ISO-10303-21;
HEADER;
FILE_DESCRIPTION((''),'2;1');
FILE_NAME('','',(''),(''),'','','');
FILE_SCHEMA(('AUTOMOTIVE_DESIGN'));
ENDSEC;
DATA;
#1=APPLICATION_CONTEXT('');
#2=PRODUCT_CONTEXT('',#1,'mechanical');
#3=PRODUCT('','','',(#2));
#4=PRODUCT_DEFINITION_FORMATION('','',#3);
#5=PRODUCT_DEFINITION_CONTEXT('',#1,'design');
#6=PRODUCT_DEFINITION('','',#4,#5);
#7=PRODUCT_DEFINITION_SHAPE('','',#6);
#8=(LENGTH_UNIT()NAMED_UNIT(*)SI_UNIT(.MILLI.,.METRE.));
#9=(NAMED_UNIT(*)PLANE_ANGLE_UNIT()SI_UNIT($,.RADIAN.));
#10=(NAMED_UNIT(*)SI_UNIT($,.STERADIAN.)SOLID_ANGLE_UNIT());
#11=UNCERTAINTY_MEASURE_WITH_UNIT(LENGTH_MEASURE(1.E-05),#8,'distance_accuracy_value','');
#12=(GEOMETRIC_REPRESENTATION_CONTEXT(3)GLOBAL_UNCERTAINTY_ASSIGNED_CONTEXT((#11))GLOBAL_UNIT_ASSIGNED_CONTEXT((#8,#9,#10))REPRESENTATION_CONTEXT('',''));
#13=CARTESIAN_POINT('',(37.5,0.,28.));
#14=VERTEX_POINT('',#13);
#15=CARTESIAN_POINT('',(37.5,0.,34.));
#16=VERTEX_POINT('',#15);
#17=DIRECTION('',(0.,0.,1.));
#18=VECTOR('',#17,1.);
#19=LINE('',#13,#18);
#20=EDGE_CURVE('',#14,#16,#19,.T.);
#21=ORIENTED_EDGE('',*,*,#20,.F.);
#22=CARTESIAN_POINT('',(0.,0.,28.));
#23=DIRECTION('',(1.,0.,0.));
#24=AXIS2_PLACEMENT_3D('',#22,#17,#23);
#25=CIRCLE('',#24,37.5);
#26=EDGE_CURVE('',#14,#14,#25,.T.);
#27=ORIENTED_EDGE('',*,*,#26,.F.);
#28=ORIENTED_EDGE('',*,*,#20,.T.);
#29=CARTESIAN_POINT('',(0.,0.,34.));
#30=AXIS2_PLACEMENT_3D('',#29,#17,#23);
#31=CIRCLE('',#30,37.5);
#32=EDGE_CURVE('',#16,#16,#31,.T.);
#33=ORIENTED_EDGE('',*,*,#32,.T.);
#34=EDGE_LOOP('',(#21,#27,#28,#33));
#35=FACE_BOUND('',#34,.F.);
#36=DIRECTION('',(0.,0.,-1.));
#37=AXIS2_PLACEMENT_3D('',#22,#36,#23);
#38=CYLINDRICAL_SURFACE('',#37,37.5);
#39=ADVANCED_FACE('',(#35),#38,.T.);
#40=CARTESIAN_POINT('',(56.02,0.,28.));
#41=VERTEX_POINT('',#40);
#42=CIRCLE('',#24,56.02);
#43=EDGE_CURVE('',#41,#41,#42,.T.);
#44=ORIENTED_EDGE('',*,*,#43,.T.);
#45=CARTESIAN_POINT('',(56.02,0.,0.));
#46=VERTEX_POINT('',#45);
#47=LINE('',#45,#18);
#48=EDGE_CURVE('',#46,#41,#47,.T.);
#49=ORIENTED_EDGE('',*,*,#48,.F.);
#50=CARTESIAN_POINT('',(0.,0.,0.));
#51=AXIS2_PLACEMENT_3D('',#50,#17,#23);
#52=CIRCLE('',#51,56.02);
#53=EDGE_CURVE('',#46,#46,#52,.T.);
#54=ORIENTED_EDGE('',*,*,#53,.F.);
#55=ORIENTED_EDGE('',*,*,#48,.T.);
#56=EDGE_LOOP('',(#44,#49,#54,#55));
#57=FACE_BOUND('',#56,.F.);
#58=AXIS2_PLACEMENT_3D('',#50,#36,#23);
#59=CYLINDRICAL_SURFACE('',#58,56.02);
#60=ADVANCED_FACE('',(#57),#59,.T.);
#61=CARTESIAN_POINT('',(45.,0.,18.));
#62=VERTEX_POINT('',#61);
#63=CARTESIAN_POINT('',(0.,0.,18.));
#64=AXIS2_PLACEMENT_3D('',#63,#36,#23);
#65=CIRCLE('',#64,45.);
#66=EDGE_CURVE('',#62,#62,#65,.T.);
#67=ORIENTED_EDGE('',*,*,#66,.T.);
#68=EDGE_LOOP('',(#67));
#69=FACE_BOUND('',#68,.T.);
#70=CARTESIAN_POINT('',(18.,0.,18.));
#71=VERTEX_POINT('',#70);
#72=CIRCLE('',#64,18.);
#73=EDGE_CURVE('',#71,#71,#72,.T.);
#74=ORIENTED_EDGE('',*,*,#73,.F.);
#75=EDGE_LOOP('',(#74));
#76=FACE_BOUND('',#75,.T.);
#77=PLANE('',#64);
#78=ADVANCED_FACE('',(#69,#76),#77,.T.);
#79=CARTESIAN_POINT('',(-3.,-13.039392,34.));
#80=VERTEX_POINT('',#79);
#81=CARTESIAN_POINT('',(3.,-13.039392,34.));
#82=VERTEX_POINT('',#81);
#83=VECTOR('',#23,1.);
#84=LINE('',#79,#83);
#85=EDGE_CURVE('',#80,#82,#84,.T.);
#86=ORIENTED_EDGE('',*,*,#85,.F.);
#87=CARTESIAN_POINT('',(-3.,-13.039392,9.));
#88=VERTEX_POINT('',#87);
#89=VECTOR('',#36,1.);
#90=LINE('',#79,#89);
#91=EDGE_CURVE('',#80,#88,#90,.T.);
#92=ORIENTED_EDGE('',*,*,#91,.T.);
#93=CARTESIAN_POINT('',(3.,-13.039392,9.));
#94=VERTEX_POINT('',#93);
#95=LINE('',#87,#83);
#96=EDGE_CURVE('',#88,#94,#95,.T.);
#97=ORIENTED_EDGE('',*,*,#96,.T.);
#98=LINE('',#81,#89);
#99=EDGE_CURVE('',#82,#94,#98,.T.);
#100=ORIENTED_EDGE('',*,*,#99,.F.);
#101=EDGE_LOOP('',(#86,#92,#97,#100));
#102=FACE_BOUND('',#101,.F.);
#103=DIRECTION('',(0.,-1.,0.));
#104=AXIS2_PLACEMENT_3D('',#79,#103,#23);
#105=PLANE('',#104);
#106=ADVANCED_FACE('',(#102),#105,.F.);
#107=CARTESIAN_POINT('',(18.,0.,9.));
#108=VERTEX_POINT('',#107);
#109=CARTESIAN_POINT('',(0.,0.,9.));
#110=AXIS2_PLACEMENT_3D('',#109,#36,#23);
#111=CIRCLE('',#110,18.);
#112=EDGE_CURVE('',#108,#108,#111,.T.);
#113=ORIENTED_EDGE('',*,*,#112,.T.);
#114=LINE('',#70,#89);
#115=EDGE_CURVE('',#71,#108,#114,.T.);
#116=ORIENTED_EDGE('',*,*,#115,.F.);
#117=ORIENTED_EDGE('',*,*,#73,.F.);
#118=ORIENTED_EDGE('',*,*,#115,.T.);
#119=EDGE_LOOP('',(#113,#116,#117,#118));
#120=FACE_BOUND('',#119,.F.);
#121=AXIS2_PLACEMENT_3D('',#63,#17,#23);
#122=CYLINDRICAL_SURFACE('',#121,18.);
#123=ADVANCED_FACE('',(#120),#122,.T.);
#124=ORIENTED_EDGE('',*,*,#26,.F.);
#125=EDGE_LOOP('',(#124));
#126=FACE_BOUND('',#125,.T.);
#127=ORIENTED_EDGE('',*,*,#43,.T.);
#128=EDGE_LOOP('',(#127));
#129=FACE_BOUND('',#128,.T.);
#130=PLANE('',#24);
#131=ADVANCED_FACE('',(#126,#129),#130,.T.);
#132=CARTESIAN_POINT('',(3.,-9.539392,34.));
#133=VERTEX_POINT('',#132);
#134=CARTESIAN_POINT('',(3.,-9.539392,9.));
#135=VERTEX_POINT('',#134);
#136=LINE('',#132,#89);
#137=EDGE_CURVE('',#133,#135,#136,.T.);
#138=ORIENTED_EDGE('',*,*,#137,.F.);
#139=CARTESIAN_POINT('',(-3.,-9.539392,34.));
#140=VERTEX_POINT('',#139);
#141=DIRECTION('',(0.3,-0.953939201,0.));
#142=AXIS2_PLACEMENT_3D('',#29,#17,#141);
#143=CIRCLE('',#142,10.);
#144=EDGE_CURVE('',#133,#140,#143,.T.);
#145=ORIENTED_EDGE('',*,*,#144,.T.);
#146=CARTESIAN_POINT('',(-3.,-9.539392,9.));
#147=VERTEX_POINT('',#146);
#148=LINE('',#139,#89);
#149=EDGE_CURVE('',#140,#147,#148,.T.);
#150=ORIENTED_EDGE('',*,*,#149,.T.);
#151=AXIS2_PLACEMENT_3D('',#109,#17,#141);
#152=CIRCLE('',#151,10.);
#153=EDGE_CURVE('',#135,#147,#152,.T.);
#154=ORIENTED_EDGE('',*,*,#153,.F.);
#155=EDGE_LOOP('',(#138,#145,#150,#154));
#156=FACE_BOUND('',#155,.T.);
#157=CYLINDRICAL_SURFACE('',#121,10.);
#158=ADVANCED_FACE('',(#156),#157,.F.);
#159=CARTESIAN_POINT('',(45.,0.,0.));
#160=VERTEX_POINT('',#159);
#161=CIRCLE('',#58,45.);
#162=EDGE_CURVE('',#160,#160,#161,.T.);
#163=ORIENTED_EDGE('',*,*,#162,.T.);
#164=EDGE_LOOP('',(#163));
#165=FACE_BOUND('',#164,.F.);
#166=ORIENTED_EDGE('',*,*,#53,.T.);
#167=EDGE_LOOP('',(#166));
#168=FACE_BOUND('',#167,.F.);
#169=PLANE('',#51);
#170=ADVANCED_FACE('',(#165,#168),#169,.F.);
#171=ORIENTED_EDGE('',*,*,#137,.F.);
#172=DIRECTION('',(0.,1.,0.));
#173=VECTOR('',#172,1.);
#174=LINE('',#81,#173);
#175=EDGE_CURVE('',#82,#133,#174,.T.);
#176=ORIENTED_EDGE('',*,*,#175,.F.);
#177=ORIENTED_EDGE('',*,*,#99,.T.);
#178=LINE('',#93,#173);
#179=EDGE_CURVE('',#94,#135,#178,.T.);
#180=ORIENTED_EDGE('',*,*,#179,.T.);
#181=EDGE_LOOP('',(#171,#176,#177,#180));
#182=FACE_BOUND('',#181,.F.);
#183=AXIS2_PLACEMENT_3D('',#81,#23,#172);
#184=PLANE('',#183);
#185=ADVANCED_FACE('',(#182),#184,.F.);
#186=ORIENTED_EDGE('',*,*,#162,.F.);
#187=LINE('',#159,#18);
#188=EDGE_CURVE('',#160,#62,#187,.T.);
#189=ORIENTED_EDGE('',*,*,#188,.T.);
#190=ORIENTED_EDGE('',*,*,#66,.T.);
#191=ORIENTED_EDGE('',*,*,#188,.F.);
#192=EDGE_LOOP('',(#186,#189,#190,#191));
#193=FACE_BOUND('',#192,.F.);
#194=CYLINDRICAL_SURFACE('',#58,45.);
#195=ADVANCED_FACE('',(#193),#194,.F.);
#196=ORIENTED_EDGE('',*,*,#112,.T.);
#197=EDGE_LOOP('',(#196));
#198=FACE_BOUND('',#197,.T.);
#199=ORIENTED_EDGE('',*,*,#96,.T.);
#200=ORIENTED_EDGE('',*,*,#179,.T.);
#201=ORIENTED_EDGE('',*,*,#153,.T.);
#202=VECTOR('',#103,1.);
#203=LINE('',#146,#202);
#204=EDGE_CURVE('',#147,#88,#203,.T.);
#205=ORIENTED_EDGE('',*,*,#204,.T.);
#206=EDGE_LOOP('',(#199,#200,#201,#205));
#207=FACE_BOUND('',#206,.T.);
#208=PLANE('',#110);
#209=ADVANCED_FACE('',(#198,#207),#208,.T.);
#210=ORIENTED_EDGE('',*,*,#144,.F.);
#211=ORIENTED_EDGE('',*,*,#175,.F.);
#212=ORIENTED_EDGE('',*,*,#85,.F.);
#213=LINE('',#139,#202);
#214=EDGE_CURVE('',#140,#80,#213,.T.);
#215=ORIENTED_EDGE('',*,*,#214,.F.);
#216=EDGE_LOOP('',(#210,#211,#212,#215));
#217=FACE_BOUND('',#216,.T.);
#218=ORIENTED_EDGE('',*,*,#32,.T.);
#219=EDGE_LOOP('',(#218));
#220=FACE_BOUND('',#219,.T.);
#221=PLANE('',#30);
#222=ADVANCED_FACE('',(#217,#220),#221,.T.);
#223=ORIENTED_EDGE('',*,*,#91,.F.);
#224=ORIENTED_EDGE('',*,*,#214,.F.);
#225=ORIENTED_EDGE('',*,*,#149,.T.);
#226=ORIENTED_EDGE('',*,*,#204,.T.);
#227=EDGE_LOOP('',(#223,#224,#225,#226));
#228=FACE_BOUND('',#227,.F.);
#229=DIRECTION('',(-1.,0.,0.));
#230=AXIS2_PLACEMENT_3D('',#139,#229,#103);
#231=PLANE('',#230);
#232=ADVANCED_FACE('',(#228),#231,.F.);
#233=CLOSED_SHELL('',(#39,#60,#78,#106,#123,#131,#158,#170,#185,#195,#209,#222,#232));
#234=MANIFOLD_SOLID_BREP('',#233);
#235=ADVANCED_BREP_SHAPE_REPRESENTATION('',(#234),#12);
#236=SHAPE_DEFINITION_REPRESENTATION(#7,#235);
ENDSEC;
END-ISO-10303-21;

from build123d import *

# Parameters (mm, degrees)
F0_R     = 56.02
F0_R_2   = 10
F1_DEPTH = 28
F2_R     = 37.5
F2_R_2   = 10
F3_DEPTH = 6
F4_R     = 45
F4_R_2   = 10
F5_DEPTH = 18
F6_R     = 18
F6_R_2   = 10
F7_DEPTH = 9
F9_DEPTH = 25


with BuildPart() as f1:
    # F0 (on Top) → F1 (new body)
    with BuildSketch(Plane.XY):
        Circle(F0_R)
        Circle(F0_R_2, mode=Mode.SUBTRACT)
    extrude(amount=F1_DEPTH)

    # F2 (on face) → F3 (join)
    with BuildSketch(Plane.XY.offset(28)):
        Circle(F2_R)
        Circle(F2_R_2, mode=Mode.SUBTRACT)
    extrude(amount=F3_DEPTH)

    # F4 (on face) → F5 (cut)
    with BuildSketch(Plane(origin=(0, 0, 0), x_dir=(1, 0, 0), z_dir=(0, 0, -1))):
        Circle(F4_R)
        Circle(F4_R_2, mode=Mode.SUBTRACT)
    extrude(amount=-F5_DEPTH, mode=Mode.SUBTRACT)

    # F6 (on face) → F7 (join)
    with BuildSketch(Plane(origin=(0, 0, 18), x_dir=(1, 0, 0), z_dir=(0, 0, -1))):
        Circle(F6_R)
        Circle(F6_R_2, mode=Mode.SUBTRACT)
    extrude(amount=F7_DEPTH)

    # F8 (on face) → F9 (cut)
    with BuildSketch(Plane.XY.offset(34)):
        with BuildLine():
            ThreePointArc((3, -9.5393920142), (0, -10), (-3, -9.5393920142))
            Line((-3, -9.5393920142), (-3, -13.0393920142))
            Line((-3, -13.0393920142), (3, -13.0393920142))
            Line((3, -13.0393920142), (3, -9.5393920142))
        make_face()
    extrude(amount=-F9_DEPTH, mode=Mode.SUBTRACT)


solid = f1.part
